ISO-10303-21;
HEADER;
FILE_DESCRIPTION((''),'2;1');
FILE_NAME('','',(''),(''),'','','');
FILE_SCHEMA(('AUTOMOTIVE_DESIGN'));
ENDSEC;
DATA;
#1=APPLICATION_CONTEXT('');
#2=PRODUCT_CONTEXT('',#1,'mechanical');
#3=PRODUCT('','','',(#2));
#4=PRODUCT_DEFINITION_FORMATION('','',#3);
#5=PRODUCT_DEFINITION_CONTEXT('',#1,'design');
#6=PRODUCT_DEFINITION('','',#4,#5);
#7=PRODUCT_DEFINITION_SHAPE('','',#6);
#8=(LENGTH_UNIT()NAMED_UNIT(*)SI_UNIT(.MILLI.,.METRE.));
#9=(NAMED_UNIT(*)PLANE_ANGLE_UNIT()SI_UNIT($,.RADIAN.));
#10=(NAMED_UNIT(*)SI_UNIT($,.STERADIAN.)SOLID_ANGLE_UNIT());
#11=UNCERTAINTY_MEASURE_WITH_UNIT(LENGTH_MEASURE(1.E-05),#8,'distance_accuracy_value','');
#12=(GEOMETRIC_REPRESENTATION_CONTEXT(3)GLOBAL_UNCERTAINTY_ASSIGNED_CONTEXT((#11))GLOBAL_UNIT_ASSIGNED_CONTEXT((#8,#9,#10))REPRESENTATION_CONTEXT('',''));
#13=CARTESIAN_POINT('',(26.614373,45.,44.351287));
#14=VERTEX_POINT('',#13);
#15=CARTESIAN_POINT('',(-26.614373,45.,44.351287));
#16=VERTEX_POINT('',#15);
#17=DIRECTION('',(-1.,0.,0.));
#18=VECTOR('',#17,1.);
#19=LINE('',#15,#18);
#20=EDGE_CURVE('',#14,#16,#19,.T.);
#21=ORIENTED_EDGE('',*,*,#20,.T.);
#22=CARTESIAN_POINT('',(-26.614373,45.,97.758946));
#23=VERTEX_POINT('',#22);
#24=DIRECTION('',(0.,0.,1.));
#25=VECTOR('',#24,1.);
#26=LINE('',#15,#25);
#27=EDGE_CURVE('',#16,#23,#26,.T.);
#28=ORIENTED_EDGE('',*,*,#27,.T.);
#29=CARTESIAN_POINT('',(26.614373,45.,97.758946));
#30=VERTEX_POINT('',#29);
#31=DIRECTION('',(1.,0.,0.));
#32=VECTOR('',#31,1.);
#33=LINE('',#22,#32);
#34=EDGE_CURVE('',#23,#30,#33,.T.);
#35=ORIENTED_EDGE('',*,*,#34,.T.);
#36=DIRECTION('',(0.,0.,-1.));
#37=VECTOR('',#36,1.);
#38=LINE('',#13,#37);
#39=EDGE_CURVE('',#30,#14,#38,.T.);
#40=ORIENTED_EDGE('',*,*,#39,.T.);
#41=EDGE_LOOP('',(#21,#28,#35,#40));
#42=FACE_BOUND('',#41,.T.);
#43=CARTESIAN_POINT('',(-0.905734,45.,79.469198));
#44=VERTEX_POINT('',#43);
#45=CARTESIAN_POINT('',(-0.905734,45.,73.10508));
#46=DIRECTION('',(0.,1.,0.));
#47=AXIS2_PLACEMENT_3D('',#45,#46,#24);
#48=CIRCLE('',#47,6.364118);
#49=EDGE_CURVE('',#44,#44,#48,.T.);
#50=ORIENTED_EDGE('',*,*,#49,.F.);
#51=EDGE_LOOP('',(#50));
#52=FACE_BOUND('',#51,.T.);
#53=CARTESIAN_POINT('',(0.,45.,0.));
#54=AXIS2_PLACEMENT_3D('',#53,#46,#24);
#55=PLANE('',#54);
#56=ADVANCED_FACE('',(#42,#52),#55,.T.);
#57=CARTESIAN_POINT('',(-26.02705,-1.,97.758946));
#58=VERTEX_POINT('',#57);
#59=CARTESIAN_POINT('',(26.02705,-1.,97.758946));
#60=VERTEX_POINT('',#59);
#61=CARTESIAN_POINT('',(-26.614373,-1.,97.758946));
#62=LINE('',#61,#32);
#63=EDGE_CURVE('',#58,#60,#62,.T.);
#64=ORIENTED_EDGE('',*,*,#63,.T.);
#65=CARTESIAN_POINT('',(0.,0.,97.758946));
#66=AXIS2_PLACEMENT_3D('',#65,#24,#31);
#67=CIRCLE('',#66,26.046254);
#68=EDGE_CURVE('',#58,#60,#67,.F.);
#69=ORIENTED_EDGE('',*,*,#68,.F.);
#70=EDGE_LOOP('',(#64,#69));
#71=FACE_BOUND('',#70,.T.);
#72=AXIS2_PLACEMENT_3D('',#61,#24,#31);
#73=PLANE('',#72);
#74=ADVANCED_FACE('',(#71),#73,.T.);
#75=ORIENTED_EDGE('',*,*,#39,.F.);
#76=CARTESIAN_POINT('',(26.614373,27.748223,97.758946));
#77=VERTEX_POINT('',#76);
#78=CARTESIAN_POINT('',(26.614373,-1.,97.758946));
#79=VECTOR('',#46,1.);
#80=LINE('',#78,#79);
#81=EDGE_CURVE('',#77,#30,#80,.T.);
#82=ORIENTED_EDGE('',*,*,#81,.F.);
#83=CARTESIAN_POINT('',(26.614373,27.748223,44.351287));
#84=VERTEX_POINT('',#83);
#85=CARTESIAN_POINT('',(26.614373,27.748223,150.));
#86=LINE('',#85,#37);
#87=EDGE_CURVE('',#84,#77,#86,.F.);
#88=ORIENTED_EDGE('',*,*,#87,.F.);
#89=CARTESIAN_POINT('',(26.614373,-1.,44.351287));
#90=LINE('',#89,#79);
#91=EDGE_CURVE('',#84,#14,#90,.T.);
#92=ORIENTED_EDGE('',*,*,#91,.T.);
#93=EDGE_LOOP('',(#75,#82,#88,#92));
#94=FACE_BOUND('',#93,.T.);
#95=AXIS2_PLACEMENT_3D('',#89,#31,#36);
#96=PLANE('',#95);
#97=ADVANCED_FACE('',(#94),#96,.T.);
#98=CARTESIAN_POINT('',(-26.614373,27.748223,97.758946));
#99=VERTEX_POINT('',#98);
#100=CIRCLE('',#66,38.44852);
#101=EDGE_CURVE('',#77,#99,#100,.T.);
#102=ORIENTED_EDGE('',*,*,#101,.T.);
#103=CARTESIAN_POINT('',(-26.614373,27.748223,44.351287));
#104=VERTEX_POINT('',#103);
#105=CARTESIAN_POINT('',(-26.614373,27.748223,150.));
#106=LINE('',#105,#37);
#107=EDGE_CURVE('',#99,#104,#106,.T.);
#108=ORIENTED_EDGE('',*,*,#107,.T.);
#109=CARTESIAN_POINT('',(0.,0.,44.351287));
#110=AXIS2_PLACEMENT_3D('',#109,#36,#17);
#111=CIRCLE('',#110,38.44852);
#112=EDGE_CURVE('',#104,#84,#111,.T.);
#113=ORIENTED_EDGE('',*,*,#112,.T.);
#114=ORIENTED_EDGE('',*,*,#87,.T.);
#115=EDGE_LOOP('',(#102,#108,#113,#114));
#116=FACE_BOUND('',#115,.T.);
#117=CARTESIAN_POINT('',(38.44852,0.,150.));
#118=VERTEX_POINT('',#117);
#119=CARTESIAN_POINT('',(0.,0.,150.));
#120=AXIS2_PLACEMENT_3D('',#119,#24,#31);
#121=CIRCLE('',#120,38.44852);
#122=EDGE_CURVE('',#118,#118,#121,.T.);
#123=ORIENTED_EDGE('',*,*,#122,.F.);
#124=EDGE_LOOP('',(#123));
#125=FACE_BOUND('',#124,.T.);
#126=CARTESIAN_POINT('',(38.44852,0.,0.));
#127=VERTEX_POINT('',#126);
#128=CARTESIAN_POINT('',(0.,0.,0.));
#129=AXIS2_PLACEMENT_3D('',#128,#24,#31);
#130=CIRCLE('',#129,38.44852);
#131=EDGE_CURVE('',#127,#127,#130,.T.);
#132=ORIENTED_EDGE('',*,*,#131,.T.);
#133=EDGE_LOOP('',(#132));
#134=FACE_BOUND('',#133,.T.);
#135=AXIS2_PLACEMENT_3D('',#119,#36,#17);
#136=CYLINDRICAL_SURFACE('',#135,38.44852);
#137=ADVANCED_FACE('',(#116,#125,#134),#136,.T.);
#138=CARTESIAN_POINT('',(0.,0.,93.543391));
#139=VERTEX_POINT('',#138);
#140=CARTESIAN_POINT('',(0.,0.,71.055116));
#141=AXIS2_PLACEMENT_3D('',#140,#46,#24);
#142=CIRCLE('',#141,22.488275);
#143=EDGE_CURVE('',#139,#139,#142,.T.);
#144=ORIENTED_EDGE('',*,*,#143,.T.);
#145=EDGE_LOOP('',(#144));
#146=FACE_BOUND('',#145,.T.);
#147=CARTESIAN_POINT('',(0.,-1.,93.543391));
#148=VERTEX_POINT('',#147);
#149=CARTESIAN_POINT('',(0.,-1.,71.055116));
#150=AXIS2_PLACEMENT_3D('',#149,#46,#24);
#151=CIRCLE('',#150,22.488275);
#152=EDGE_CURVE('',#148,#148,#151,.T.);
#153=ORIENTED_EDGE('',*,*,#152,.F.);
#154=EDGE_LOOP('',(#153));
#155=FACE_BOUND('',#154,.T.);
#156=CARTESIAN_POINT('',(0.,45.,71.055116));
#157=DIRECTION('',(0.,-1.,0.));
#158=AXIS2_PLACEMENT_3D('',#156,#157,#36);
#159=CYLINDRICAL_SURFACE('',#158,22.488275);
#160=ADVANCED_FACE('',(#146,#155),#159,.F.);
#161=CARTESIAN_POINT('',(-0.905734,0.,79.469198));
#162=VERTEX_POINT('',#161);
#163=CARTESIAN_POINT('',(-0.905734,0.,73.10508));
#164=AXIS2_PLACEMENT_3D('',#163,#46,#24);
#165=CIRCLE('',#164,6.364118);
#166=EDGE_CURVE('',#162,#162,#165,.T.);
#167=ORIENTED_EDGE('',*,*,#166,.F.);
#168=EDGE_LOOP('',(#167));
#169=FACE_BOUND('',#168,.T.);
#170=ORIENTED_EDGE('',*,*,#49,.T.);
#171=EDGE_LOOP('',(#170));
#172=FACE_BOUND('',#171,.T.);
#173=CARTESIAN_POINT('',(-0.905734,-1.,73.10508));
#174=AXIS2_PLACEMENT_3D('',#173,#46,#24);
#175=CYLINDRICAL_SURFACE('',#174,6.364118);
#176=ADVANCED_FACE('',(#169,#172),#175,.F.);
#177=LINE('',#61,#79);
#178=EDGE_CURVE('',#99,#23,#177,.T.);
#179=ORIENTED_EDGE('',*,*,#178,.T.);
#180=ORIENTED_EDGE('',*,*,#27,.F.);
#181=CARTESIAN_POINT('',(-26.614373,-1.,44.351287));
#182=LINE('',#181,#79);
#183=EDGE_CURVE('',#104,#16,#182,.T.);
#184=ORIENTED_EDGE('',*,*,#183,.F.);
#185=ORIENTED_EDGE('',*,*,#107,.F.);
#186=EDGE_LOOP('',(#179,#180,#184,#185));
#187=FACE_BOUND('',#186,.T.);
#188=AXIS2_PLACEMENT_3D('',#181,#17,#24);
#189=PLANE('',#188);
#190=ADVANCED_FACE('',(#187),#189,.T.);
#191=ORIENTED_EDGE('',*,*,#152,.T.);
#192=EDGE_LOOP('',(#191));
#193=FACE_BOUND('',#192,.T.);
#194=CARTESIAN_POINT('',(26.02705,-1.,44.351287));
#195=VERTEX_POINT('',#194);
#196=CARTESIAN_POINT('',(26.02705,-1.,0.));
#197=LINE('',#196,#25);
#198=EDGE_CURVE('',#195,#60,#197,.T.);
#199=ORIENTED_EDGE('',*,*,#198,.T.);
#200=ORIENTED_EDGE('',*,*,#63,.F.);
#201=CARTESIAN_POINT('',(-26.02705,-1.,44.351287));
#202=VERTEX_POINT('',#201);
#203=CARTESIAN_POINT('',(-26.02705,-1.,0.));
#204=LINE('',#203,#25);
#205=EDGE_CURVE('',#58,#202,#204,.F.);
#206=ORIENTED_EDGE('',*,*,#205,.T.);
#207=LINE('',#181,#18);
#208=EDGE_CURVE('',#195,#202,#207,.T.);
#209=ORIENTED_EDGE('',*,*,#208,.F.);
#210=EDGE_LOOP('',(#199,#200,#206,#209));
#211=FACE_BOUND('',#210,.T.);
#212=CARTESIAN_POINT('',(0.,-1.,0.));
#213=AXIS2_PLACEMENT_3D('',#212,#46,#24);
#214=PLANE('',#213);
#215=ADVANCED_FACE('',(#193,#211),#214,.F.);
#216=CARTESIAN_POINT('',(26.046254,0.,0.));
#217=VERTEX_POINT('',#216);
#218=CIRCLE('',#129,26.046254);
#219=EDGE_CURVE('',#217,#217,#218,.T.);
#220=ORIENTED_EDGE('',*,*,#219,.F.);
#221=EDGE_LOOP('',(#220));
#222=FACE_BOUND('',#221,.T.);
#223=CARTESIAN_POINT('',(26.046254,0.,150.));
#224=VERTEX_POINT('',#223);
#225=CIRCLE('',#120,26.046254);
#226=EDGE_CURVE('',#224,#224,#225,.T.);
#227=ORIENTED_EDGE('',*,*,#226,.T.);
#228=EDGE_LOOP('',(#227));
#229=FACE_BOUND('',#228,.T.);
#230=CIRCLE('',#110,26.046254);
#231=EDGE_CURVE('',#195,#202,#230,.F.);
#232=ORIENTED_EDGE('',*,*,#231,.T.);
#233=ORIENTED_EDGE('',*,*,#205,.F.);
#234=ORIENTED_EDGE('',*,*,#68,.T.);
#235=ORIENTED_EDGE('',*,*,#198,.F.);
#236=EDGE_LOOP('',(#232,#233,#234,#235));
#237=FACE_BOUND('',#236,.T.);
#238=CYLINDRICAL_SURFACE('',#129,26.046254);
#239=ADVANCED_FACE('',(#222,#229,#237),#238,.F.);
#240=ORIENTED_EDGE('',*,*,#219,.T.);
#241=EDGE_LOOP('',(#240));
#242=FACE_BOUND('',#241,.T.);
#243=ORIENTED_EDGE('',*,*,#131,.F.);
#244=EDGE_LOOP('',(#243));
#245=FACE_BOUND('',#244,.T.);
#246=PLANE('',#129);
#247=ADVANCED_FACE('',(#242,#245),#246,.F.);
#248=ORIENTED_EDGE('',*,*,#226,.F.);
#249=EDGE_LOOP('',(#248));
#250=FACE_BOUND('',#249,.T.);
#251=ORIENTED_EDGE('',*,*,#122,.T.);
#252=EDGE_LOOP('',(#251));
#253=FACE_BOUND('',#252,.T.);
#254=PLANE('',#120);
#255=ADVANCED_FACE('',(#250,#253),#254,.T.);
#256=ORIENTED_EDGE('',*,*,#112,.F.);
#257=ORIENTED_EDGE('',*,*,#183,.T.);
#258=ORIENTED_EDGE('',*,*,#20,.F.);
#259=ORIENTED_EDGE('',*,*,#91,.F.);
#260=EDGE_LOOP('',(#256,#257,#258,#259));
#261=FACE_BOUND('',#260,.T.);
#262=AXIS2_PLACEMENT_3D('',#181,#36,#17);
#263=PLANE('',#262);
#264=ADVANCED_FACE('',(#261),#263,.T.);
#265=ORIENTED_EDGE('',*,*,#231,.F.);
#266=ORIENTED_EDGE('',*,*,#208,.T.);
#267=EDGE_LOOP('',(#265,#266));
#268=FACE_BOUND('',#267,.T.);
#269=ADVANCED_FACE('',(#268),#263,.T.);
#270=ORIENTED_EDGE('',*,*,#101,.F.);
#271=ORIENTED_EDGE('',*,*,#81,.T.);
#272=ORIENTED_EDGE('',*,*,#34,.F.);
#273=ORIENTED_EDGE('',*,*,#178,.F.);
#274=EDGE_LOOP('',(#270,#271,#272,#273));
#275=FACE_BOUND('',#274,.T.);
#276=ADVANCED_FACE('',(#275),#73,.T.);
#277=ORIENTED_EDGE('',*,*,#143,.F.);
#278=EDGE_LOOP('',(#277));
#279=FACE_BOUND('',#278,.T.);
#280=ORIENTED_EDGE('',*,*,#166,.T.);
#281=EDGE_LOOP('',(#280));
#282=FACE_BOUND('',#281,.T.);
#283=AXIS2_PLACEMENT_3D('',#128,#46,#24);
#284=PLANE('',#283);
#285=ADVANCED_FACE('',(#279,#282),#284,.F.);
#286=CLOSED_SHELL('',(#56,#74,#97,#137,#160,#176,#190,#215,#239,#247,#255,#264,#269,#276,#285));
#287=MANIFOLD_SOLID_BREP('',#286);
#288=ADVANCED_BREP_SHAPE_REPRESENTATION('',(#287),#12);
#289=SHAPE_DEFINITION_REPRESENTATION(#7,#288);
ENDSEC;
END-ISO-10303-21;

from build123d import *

# Parameters (mm, degrees)
SKETCH16_R               = 38.448520448
BOSS_EXTRUDE3_DEPTH      = 150
SKETCH17_R               = 26.04625397
CUT_EXTRUDE2_DEPTH       = 1
CUT_EXTRUDE2_DEPTH_BACK  = 151
SKETCH18_R               = 18.685585603
CUT_EXTRUDE3_DEPTH       = 39.448520448
CUT_EXTRUDE3_DEPTH_BACK  = 1
SKETCH19_W               = 53.228745634
SKETCH19_H               = 53.407658992
BOSS_EXTRUDE4_DEPTH      = 45
BOSS_EXTRUDE4_DEPTH_BACK = 1
SKETCH20_R               = 22.488274744
CUT_EXTRUDE4_DEPTH       = 46
CUT_EXTRUDE4_DEPTH_BACK  = 1
SKETCH21_W               = 53.228745634
SKETCH21_H               = 53.043515862
BOSS_EXTRUDE5_DEPTH      = 45
SKETCH22_R               = 6.364118175
CUT_EXTRUDE5_DEPTH       = 55
CUT_EXTRUDE5_DEPTH_BACK  = 1


with BuildPart() as part:
    # Sketch16 → Boss-Extrude3 (new body)
    with BuildSketch(Plane.XY):
        Circle(SKETCH16_R)
    extrude(amount=BOSS_EXTRUDE3_DEPTH)

    # Sketch17 → Cut-Extrude2 (cut, two sides)
    with BuildSketch(Plane.XY.offset(150)) as cut_extrude2_sk:
        Circle(SKETCH17_R)
    extrude(amount=CUT_EXTRUDE2_DEPTH, mode=Mode.SUBTRACT)
    extrude(cut_extrude2_sk.sketch, amount=-CUT_EXTRUDE2_DEPTH_BACK, mode=Mode.SUBTRACT)

    # Sketch18 → Cut-Extrude3 (cut, two sides)
    with BuildSketch(Plane(origin=(0, 0, 0), x_dir=(1, 0, 0), z_dir=(0, 1, 0))) as cut_extrude3_sk:
        with Locations((0, -71.055116097)):
            Circle(SKETCH18_R)
    extrude(amount=CUT_EXTRUDE3_DEPTH, mode=Mode.SUBTRACT)
    extrude(cut_extrude3_sk.sketch, amount=-CUT_EXTRUDE3_DEPTH_BACK, mode=Mode.SUBTRACT)

    # Sketch19 → Boss-Extrude4 (add, two sides)
    with BuildSketch(Plane(origin=(0, 0, 0), x_dir=(1, 0, 0), z_dir=(0, 1, 0))) as boss_extrude4_sk:
        with Locations((0, -71.055116097)):
            Rectangle(SKETCH19_W, SKETCH19_H)
    extrude(amount=BOSS_EXTRUDE4_DEPTH)
    extrude(boss_extrude4_sk.sketch, amount=-BOSS_EXTRUDE4_DEPTH_BACK)

    # Sketch20 → Cut-Extrude4 (cut, two sides)
    with BuildSketch(Plane(origin=(0, 0, 0), x_dir=(1, 0, 0), z_dir=(0, 1, 0))) as cut_extrude4_sk:
        with Locations((0, -71.055116097)):
            Circle(SKETCH20_R)
    extrude(amount=CUT_EXTRUDE4_DEPTH, mode=Mode.SUBTRACT)
    extrude(cut_extrude4_sk.sketch, amount=-CUT_EXTRUDE4_DEPTH_BACK, mode=Mode.SUBTRACT)

    # Sketch21 → Boss-Extrude5 (add)
    with BuildSketch(Plane(origin=(0, 0, 0), x_dir=(1, 0, 0), z_dir=(0, 1, 0))):
        with Locations((0, -71.237187662)):
            Rectangle(SKETCH21_W, SKETCH21_H)
    extrude(amount=BOSS_EXTRUDE5_DEPTH)

    # Sketch22 → Cut-Extrude5 (cut, two sides)
    with BuildSketch(Plane(origin=(0, 0, 0), x_dir=(1, 0, 0), z_dir=(0, 1, 0))) as cut_extrude5_sk:
        with Locations((-0.905733708, -73.105080143)):
            Circle(SKETCH22_R)
    extrude(amount=CUT_EXTRUDE5_DEPTH, mode=Mode.SUBTRACT)
    extrude(cut_extrude5_sk.sketch, amount=-CUT_EXTRUDE5_DEPTH_BACK, mode=Mode.SUBTRACT)


solid = part.part
